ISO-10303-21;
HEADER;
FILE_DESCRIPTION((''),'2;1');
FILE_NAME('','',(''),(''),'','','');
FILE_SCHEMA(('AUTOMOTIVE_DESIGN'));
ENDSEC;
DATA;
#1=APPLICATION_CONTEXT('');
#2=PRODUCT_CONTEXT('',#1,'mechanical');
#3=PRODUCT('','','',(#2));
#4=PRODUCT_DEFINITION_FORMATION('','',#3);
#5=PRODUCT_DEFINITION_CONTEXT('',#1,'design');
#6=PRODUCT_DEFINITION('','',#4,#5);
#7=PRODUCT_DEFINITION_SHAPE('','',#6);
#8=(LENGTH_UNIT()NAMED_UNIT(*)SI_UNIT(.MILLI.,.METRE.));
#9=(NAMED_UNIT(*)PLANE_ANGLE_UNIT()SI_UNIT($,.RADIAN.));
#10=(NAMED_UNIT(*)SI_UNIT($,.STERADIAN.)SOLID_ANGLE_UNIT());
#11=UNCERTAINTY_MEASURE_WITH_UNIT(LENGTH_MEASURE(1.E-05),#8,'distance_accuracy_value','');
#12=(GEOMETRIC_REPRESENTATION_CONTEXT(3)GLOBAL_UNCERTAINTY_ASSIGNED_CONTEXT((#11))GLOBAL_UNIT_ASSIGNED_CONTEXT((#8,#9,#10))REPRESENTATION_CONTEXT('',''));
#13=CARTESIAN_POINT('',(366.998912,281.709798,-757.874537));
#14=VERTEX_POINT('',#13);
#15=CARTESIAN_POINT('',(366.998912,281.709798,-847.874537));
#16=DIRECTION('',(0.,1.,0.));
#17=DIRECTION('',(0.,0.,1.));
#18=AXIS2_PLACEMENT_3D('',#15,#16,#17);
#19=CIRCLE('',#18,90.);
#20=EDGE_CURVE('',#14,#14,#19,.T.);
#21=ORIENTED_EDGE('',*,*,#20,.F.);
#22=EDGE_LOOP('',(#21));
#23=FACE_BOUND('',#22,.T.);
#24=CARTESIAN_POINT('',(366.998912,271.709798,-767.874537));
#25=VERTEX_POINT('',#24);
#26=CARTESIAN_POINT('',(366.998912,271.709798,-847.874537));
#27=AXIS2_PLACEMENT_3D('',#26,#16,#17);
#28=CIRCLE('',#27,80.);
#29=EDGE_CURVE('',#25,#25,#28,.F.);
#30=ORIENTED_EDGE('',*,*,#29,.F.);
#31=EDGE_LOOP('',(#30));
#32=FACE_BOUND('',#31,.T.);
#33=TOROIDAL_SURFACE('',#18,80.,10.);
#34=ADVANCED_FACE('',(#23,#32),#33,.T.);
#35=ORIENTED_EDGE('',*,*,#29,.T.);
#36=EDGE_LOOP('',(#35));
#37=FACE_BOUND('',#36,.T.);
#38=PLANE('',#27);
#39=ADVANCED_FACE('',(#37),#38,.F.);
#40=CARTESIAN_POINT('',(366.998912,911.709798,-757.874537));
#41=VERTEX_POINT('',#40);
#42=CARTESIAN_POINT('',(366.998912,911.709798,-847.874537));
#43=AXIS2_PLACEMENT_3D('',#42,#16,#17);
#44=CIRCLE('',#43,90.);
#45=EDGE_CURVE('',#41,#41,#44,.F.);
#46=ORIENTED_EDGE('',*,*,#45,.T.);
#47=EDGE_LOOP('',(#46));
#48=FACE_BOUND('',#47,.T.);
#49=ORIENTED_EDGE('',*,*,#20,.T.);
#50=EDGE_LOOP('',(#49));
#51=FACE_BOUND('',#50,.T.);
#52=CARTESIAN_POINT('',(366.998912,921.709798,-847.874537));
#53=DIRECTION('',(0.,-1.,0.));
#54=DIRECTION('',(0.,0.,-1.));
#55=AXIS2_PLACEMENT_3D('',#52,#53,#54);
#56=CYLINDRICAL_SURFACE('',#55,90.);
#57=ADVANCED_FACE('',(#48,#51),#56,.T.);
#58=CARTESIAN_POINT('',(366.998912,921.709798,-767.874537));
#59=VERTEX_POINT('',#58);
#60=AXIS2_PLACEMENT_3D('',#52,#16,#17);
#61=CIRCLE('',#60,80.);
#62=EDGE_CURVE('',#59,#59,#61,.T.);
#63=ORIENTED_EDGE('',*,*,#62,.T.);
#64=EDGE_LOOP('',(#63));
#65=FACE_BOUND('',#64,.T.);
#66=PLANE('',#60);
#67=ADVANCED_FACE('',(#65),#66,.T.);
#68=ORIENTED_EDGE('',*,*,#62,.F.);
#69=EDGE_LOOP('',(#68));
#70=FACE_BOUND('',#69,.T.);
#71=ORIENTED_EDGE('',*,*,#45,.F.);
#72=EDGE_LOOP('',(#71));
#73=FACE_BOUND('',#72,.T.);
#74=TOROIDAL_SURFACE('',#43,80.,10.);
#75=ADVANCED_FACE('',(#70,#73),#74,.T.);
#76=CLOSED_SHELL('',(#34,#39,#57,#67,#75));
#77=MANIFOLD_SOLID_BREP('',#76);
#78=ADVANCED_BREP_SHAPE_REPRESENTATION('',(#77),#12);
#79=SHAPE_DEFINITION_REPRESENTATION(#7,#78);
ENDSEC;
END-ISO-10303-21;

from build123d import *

# Parameters (mm, degrees)
BOSS_EXTRUDE1_DEPTH      = 50
BOSS_EXTRUDE1_DEPTH_BACK = 600
SKETCH1_R                = 90
FILLET1_R                = 10


with BuildPart() as part:
    # Sketch1 → Boss-Extrude1 (new, two sides: drawn at the far end of the back side and taken through both)
    with BuildSketch(Plane(origin=(0, 871.709797624, 0), x_dir=(1, 0, 0), z_dir=(0, 1, 0)).offset(-BOSS_EXTRUDE1_DEPTH_BACK)):
        with Locations(Location((366.998911685, 847.87453746, 0), (0, 0, 270))):
            Circle(SKETCH1_R)
    extrude(amount=BOSS_EXTRUDE1_DEPTH + BOSS_EXTRUDE1_DEPTH_BACK)

    # Fillet1
    fillet1_edges = [part.edges().sort_by_distance(p)[0] for p in [
        (366.998911685, 271.709797624, -937.87453746),
        (366.998911685, 921.709797624, -937.87453746),
    ]]
    fillet(fillet1_edges, radius=FILLET1_R)


solid = part.part
